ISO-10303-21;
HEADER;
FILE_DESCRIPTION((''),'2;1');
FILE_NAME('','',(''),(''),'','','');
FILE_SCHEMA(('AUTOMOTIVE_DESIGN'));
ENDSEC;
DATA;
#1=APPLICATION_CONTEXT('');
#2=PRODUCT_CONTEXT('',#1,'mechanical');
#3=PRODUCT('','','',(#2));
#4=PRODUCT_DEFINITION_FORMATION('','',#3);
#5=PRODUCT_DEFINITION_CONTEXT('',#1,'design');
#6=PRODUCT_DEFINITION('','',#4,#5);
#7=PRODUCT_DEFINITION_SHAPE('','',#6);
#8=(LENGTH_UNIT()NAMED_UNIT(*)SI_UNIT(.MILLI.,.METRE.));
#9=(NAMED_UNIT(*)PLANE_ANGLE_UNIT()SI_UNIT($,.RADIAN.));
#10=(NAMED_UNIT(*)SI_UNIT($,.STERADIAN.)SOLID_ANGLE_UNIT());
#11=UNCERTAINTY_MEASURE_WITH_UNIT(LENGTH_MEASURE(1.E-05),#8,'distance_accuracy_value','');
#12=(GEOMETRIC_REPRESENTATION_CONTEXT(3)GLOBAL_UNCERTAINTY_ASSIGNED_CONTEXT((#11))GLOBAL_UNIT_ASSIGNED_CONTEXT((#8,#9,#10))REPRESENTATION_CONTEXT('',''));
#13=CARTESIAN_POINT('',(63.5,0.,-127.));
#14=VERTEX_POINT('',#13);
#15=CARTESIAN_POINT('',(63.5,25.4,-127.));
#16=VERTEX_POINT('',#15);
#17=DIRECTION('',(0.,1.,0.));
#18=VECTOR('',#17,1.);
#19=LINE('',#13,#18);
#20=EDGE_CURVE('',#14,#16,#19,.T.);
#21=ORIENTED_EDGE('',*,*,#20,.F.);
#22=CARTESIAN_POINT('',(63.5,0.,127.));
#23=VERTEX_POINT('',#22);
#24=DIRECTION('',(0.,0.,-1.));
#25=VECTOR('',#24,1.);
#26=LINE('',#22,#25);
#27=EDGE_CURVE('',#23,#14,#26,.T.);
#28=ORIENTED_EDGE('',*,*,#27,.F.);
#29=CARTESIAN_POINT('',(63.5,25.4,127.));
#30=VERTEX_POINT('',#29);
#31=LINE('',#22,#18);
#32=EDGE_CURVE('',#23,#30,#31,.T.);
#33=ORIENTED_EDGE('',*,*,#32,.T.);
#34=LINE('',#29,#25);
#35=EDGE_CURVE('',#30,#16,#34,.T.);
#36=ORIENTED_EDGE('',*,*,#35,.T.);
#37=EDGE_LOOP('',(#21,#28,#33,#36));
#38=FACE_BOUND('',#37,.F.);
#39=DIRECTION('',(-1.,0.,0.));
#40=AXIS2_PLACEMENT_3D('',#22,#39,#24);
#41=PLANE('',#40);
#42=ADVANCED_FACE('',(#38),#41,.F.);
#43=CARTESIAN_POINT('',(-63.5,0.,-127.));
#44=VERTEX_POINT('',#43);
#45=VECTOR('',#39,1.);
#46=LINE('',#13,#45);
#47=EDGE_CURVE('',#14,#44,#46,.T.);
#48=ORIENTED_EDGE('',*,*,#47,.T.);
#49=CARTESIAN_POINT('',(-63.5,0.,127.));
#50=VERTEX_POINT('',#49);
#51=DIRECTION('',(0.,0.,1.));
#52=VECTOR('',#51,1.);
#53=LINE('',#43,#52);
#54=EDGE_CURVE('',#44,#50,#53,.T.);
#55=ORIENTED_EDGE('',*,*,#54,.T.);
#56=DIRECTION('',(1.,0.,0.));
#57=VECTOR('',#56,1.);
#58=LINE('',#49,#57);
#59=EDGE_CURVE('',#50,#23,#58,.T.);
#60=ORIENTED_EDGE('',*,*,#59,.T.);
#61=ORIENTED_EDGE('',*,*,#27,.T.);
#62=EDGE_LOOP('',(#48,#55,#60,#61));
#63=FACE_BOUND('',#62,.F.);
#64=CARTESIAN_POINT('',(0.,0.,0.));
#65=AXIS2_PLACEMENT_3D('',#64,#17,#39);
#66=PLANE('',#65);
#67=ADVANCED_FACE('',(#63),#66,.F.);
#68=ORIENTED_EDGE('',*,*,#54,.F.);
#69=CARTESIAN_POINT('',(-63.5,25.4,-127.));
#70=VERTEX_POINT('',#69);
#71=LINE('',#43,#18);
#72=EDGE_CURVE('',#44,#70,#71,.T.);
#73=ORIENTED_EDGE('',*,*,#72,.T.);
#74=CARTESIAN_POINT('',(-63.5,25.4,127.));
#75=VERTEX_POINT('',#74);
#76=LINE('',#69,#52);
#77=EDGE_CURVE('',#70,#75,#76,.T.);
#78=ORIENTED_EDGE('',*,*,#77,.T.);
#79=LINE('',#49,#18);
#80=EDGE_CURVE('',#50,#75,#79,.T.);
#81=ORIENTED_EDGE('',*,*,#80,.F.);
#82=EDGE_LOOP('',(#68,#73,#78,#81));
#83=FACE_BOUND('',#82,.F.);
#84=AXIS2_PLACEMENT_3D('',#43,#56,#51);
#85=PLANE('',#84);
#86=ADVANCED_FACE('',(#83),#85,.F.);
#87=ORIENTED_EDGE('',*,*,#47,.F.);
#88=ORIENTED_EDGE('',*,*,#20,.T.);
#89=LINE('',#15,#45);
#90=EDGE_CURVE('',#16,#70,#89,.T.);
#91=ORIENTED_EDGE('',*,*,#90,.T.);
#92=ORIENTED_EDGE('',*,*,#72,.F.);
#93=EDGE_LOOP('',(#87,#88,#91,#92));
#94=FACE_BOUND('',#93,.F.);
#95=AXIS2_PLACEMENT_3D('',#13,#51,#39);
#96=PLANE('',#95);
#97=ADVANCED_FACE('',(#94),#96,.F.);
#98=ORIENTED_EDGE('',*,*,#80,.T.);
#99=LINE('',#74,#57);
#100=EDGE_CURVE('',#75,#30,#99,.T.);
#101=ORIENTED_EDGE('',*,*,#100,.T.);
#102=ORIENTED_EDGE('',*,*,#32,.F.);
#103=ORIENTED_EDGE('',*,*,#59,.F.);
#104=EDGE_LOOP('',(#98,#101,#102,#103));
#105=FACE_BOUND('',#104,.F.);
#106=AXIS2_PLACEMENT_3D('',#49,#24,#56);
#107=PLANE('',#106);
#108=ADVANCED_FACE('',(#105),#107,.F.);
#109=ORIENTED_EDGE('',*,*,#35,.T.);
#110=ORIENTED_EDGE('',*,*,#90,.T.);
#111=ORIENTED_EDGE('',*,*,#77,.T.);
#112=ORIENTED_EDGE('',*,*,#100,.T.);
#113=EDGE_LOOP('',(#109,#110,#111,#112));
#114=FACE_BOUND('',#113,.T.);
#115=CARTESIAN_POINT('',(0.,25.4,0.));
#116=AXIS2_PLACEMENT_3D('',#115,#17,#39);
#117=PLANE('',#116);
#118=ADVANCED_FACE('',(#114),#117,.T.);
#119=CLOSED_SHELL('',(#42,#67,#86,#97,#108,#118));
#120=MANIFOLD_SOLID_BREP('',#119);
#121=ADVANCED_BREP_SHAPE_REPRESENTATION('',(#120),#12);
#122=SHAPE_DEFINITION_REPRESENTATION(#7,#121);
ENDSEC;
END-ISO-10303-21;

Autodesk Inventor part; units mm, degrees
ref_plane "YZ Plane" through (0, 0, 0) normal (1, 0, 0) x (0, 1, 0)
ref_plane "XZ Plane" through (0, 0, 0) normal (0, 1, 0) x (-1, 0, 0)
ref_plane "XY Plane" through (0, 0, 0) normal (0, 0, 1) x (1, 0, 0)
sketch "Sketch1" plane through (0, 0, 0) normal (0, 1, 0) x (-1, 0, 0)
  line L0 (-63.5, 127) -> (-63.5, -127)
  line L1 (-63.5, -127) -> (63.5, -127)
  line L2 (63.5, -127) -> (63.5, 127)
  line L3 (63.5, 127) -> (-63.5, 127)
  line L4 (-63.5, 127) -> (63.5, -127) construction
  line L5 (-63.5, -127) -> (63.5, 127) construction
  point P0 (0, 0)
  dimension "height" = 127
  dimension "width" = 254
extrude "Extrusion1" add sketch "Sketch1" along normal blind 25.4
sketch "4-40" plane through (0, 25.4, 0) normal (0, 1, 0) x (1, 0, 0)
  line L0 (-63.5, -127) -> (63.5, -127) projected
  line L1 (45.72, -127) -> (45.72, 127) construction
  line L2 (63.5, 127) -> (-63.5, 127) projected
  line L3 (63.5, -127) -> (63.5, 127) construction
  line L4 (63.5, -111.125) -> (-63.5, -111.125) construction
  line L5 (-63.5, 127) -> (-63.5, -127) construction
  line L6 (48.26, -47.625) -> (48.26, -111.125)
  line L7 (48.26, -111.125) -> (43.18, -111.125)
  line L8 (43.18, -111.125) -> (43.18, -47.625)
  line L9 (43.18, -47.625) -> (48.26, -47.625)
  line L10 (48.26, -47.625) -> (43.18, -111.125) construction
  line L11 (48.26, -111.125) -> (43.18, -47.625) construction
  point P0 (0, 0)
  point P1 (45.72, -79.375)
  dimension "topFingerDistFromEdge" = 15.875
  dimension "d5" = 5.08
  dimension "d6" = 76.2
  dimension "d7" = 15.875
  dimension "d8" = 17.78
equation "\"height\" = lowerCaseHeight"
equation "\"width\" = lowerCaseWidth"
equation "\"thickness\" = lowerCaseDepth"
equation "\"topFingerDistFromEdge\" = 0.5 * fingerWidth + fingerDistFromEdge"
equation "\"d6\" = tapLength4x40"
equation "\"fingerDistFromEdge\" = 6.35"
equation "\"fingerWidth\" = 19.05"
equation "\"tapDiam1d4x28\" = 5.08"
equation "\"tapDiam12x24\" = 5.08"
equation "\"tapDiam10x32\" = 5.08"
equation "\"tapDiam1d4x20\" = 5.08"
equation "\"tapDiam12x28\" = 5.08"
equation "\"tapDiam8x32\" = 5.08"
equation "\"tapDiam8x36\" = 5.08"
equation "\"tapDiam10x24\" = 5.08"
equation "\"tapDiam6x40\" = 5.08"
equation "\"lowerCaseHeight\" = 127"
equation "\"tapDiam6x32\" = 5.08"
equation "\"tapDiaam4x48\" = 5.08"
equation "\"lowerCaseDepth\" = 25.4"
equation "\"tapDiam4x40\" = 5.08"
equation "\"lowerCaseWidth\" = 254"
equation "\"tapLength6x32\" = 76.2"
equation "\"tapLength4x48\" = 76.2"
equation "\"tapLength4x40\" = 76.2"
properties part number "bottomOfCaseSmallTaps"
